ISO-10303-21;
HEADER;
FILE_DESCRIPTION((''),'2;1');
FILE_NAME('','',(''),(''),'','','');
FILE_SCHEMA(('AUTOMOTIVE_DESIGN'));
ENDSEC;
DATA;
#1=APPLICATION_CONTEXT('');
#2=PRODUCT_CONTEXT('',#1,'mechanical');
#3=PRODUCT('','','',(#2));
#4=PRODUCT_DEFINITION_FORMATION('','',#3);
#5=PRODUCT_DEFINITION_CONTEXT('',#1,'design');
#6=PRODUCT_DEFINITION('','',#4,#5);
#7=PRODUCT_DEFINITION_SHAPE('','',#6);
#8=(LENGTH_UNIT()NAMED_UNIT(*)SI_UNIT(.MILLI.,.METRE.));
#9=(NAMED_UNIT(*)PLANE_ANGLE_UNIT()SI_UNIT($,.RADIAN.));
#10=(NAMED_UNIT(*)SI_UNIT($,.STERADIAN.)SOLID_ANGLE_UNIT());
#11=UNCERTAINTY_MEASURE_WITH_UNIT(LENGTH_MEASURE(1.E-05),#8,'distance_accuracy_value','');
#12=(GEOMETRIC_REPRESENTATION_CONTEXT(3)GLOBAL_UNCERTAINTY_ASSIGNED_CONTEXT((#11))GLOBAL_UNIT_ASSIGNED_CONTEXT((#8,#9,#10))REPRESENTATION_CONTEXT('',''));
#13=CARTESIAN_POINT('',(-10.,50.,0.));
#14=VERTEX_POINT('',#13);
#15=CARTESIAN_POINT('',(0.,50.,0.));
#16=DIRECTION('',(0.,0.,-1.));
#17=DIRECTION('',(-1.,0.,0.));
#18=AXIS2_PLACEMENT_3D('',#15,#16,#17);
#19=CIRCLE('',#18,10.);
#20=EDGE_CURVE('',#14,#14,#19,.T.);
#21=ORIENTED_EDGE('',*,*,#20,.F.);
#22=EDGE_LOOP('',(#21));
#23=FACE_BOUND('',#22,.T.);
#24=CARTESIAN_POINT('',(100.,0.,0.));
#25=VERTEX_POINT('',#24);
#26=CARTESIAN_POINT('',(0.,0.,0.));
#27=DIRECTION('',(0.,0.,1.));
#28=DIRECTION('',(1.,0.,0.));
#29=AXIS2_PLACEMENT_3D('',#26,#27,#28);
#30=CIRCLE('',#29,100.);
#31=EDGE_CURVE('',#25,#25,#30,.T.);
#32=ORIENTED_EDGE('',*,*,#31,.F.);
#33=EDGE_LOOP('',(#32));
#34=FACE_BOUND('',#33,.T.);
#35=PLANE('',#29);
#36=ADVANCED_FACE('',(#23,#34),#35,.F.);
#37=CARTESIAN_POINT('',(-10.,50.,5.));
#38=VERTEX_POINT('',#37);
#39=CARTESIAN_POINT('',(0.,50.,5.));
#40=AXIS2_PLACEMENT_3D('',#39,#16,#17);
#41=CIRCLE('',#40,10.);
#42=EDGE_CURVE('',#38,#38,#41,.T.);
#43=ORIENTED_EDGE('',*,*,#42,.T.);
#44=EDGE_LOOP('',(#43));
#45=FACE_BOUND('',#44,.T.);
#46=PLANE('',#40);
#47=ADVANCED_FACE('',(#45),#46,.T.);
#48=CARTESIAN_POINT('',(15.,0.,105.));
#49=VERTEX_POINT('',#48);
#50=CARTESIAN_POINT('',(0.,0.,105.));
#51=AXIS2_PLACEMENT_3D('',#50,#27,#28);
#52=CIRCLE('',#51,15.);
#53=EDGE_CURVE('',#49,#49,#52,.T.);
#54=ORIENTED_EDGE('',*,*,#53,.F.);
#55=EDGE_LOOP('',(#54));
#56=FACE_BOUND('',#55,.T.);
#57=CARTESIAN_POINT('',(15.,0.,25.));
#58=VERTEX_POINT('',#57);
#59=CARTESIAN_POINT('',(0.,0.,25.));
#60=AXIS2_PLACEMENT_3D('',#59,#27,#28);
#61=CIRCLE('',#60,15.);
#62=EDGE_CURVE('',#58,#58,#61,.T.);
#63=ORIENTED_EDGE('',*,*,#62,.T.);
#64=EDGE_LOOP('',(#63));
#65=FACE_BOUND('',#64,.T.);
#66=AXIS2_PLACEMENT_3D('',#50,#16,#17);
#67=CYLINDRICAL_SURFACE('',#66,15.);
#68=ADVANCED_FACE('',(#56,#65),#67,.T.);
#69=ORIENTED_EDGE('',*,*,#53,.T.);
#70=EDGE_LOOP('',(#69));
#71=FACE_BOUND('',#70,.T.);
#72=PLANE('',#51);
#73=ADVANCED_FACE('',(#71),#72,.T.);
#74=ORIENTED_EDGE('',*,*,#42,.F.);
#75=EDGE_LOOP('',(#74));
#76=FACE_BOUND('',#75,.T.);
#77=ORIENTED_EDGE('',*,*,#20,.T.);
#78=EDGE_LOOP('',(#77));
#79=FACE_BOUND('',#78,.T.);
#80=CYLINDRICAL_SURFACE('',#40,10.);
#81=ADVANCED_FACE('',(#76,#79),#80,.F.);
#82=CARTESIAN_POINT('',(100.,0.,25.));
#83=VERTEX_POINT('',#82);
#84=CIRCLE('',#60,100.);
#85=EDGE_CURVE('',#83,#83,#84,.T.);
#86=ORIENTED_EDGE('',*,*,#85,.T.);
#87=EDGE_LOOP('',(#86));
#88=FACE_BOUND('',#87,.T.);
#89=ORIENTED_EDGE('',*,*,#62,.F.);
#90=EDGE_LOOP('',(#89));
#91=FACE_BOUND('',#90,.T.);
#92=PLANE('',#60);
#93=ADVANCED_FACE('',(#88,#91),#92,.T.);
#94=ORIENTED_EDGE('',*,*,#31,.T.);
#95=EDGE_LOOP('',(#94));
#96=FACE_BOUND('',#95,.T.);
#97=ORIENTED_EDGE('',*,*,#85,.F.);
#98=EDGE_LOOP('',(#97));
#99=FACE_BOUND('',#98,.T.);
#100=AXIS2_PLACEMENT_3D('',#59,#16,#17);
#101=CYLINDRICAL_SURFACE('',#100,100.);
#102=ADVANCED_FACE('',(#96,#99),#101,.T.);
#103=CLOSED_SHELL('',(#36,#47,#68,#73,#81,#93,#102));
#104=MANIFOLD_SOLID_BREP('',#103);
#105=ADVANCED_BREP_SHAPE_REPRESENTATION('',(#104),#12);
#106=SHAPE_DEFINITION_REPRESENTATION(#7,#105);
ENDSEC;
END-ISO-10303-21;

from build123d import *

# Parameters (mm, degrees)
SKETCH1_R           = 100
BOSS_EXTRUDE1_DEPTH = 25
SKETCH2_R           = 15
BOSS_EXTRUDE2_DEPTH = 80
SKETCH3_R           = 10
CUT_EXTRUDE1_DEPTH  = 5


with BuildPart() as part:
    # Sketch1 → Boss-Extrude1 (new body)
    with BuildSketch(Plane.XY):
        Circle(SKETCH1_R)
    extrude(amount=BOSS_EXTRUDE1_DEPTH)

    # Sketch2 → Boss-Extrude2 (add)
    with BuildSketch(Plane.XY.offset(25)):
        Circle(SKETCH2_R)
    extrude(amount=BOSS_EXTRUDE2_DEPTH)

    # Sketch3 → Cut-Extrude1 (cut)
    with BuildSketch(Plane(origin=(0, 0, 0), x_dir=(-1, 0, 0), z_dir=(0, 0, -1))):
        with Locations((0, 50)):
            Circle(SKETCH3_R)
    extrude(amount=-CUT_EXTRUDE1_DEPTH, mode=Mode.SUBTRACT)


solid = part.part
